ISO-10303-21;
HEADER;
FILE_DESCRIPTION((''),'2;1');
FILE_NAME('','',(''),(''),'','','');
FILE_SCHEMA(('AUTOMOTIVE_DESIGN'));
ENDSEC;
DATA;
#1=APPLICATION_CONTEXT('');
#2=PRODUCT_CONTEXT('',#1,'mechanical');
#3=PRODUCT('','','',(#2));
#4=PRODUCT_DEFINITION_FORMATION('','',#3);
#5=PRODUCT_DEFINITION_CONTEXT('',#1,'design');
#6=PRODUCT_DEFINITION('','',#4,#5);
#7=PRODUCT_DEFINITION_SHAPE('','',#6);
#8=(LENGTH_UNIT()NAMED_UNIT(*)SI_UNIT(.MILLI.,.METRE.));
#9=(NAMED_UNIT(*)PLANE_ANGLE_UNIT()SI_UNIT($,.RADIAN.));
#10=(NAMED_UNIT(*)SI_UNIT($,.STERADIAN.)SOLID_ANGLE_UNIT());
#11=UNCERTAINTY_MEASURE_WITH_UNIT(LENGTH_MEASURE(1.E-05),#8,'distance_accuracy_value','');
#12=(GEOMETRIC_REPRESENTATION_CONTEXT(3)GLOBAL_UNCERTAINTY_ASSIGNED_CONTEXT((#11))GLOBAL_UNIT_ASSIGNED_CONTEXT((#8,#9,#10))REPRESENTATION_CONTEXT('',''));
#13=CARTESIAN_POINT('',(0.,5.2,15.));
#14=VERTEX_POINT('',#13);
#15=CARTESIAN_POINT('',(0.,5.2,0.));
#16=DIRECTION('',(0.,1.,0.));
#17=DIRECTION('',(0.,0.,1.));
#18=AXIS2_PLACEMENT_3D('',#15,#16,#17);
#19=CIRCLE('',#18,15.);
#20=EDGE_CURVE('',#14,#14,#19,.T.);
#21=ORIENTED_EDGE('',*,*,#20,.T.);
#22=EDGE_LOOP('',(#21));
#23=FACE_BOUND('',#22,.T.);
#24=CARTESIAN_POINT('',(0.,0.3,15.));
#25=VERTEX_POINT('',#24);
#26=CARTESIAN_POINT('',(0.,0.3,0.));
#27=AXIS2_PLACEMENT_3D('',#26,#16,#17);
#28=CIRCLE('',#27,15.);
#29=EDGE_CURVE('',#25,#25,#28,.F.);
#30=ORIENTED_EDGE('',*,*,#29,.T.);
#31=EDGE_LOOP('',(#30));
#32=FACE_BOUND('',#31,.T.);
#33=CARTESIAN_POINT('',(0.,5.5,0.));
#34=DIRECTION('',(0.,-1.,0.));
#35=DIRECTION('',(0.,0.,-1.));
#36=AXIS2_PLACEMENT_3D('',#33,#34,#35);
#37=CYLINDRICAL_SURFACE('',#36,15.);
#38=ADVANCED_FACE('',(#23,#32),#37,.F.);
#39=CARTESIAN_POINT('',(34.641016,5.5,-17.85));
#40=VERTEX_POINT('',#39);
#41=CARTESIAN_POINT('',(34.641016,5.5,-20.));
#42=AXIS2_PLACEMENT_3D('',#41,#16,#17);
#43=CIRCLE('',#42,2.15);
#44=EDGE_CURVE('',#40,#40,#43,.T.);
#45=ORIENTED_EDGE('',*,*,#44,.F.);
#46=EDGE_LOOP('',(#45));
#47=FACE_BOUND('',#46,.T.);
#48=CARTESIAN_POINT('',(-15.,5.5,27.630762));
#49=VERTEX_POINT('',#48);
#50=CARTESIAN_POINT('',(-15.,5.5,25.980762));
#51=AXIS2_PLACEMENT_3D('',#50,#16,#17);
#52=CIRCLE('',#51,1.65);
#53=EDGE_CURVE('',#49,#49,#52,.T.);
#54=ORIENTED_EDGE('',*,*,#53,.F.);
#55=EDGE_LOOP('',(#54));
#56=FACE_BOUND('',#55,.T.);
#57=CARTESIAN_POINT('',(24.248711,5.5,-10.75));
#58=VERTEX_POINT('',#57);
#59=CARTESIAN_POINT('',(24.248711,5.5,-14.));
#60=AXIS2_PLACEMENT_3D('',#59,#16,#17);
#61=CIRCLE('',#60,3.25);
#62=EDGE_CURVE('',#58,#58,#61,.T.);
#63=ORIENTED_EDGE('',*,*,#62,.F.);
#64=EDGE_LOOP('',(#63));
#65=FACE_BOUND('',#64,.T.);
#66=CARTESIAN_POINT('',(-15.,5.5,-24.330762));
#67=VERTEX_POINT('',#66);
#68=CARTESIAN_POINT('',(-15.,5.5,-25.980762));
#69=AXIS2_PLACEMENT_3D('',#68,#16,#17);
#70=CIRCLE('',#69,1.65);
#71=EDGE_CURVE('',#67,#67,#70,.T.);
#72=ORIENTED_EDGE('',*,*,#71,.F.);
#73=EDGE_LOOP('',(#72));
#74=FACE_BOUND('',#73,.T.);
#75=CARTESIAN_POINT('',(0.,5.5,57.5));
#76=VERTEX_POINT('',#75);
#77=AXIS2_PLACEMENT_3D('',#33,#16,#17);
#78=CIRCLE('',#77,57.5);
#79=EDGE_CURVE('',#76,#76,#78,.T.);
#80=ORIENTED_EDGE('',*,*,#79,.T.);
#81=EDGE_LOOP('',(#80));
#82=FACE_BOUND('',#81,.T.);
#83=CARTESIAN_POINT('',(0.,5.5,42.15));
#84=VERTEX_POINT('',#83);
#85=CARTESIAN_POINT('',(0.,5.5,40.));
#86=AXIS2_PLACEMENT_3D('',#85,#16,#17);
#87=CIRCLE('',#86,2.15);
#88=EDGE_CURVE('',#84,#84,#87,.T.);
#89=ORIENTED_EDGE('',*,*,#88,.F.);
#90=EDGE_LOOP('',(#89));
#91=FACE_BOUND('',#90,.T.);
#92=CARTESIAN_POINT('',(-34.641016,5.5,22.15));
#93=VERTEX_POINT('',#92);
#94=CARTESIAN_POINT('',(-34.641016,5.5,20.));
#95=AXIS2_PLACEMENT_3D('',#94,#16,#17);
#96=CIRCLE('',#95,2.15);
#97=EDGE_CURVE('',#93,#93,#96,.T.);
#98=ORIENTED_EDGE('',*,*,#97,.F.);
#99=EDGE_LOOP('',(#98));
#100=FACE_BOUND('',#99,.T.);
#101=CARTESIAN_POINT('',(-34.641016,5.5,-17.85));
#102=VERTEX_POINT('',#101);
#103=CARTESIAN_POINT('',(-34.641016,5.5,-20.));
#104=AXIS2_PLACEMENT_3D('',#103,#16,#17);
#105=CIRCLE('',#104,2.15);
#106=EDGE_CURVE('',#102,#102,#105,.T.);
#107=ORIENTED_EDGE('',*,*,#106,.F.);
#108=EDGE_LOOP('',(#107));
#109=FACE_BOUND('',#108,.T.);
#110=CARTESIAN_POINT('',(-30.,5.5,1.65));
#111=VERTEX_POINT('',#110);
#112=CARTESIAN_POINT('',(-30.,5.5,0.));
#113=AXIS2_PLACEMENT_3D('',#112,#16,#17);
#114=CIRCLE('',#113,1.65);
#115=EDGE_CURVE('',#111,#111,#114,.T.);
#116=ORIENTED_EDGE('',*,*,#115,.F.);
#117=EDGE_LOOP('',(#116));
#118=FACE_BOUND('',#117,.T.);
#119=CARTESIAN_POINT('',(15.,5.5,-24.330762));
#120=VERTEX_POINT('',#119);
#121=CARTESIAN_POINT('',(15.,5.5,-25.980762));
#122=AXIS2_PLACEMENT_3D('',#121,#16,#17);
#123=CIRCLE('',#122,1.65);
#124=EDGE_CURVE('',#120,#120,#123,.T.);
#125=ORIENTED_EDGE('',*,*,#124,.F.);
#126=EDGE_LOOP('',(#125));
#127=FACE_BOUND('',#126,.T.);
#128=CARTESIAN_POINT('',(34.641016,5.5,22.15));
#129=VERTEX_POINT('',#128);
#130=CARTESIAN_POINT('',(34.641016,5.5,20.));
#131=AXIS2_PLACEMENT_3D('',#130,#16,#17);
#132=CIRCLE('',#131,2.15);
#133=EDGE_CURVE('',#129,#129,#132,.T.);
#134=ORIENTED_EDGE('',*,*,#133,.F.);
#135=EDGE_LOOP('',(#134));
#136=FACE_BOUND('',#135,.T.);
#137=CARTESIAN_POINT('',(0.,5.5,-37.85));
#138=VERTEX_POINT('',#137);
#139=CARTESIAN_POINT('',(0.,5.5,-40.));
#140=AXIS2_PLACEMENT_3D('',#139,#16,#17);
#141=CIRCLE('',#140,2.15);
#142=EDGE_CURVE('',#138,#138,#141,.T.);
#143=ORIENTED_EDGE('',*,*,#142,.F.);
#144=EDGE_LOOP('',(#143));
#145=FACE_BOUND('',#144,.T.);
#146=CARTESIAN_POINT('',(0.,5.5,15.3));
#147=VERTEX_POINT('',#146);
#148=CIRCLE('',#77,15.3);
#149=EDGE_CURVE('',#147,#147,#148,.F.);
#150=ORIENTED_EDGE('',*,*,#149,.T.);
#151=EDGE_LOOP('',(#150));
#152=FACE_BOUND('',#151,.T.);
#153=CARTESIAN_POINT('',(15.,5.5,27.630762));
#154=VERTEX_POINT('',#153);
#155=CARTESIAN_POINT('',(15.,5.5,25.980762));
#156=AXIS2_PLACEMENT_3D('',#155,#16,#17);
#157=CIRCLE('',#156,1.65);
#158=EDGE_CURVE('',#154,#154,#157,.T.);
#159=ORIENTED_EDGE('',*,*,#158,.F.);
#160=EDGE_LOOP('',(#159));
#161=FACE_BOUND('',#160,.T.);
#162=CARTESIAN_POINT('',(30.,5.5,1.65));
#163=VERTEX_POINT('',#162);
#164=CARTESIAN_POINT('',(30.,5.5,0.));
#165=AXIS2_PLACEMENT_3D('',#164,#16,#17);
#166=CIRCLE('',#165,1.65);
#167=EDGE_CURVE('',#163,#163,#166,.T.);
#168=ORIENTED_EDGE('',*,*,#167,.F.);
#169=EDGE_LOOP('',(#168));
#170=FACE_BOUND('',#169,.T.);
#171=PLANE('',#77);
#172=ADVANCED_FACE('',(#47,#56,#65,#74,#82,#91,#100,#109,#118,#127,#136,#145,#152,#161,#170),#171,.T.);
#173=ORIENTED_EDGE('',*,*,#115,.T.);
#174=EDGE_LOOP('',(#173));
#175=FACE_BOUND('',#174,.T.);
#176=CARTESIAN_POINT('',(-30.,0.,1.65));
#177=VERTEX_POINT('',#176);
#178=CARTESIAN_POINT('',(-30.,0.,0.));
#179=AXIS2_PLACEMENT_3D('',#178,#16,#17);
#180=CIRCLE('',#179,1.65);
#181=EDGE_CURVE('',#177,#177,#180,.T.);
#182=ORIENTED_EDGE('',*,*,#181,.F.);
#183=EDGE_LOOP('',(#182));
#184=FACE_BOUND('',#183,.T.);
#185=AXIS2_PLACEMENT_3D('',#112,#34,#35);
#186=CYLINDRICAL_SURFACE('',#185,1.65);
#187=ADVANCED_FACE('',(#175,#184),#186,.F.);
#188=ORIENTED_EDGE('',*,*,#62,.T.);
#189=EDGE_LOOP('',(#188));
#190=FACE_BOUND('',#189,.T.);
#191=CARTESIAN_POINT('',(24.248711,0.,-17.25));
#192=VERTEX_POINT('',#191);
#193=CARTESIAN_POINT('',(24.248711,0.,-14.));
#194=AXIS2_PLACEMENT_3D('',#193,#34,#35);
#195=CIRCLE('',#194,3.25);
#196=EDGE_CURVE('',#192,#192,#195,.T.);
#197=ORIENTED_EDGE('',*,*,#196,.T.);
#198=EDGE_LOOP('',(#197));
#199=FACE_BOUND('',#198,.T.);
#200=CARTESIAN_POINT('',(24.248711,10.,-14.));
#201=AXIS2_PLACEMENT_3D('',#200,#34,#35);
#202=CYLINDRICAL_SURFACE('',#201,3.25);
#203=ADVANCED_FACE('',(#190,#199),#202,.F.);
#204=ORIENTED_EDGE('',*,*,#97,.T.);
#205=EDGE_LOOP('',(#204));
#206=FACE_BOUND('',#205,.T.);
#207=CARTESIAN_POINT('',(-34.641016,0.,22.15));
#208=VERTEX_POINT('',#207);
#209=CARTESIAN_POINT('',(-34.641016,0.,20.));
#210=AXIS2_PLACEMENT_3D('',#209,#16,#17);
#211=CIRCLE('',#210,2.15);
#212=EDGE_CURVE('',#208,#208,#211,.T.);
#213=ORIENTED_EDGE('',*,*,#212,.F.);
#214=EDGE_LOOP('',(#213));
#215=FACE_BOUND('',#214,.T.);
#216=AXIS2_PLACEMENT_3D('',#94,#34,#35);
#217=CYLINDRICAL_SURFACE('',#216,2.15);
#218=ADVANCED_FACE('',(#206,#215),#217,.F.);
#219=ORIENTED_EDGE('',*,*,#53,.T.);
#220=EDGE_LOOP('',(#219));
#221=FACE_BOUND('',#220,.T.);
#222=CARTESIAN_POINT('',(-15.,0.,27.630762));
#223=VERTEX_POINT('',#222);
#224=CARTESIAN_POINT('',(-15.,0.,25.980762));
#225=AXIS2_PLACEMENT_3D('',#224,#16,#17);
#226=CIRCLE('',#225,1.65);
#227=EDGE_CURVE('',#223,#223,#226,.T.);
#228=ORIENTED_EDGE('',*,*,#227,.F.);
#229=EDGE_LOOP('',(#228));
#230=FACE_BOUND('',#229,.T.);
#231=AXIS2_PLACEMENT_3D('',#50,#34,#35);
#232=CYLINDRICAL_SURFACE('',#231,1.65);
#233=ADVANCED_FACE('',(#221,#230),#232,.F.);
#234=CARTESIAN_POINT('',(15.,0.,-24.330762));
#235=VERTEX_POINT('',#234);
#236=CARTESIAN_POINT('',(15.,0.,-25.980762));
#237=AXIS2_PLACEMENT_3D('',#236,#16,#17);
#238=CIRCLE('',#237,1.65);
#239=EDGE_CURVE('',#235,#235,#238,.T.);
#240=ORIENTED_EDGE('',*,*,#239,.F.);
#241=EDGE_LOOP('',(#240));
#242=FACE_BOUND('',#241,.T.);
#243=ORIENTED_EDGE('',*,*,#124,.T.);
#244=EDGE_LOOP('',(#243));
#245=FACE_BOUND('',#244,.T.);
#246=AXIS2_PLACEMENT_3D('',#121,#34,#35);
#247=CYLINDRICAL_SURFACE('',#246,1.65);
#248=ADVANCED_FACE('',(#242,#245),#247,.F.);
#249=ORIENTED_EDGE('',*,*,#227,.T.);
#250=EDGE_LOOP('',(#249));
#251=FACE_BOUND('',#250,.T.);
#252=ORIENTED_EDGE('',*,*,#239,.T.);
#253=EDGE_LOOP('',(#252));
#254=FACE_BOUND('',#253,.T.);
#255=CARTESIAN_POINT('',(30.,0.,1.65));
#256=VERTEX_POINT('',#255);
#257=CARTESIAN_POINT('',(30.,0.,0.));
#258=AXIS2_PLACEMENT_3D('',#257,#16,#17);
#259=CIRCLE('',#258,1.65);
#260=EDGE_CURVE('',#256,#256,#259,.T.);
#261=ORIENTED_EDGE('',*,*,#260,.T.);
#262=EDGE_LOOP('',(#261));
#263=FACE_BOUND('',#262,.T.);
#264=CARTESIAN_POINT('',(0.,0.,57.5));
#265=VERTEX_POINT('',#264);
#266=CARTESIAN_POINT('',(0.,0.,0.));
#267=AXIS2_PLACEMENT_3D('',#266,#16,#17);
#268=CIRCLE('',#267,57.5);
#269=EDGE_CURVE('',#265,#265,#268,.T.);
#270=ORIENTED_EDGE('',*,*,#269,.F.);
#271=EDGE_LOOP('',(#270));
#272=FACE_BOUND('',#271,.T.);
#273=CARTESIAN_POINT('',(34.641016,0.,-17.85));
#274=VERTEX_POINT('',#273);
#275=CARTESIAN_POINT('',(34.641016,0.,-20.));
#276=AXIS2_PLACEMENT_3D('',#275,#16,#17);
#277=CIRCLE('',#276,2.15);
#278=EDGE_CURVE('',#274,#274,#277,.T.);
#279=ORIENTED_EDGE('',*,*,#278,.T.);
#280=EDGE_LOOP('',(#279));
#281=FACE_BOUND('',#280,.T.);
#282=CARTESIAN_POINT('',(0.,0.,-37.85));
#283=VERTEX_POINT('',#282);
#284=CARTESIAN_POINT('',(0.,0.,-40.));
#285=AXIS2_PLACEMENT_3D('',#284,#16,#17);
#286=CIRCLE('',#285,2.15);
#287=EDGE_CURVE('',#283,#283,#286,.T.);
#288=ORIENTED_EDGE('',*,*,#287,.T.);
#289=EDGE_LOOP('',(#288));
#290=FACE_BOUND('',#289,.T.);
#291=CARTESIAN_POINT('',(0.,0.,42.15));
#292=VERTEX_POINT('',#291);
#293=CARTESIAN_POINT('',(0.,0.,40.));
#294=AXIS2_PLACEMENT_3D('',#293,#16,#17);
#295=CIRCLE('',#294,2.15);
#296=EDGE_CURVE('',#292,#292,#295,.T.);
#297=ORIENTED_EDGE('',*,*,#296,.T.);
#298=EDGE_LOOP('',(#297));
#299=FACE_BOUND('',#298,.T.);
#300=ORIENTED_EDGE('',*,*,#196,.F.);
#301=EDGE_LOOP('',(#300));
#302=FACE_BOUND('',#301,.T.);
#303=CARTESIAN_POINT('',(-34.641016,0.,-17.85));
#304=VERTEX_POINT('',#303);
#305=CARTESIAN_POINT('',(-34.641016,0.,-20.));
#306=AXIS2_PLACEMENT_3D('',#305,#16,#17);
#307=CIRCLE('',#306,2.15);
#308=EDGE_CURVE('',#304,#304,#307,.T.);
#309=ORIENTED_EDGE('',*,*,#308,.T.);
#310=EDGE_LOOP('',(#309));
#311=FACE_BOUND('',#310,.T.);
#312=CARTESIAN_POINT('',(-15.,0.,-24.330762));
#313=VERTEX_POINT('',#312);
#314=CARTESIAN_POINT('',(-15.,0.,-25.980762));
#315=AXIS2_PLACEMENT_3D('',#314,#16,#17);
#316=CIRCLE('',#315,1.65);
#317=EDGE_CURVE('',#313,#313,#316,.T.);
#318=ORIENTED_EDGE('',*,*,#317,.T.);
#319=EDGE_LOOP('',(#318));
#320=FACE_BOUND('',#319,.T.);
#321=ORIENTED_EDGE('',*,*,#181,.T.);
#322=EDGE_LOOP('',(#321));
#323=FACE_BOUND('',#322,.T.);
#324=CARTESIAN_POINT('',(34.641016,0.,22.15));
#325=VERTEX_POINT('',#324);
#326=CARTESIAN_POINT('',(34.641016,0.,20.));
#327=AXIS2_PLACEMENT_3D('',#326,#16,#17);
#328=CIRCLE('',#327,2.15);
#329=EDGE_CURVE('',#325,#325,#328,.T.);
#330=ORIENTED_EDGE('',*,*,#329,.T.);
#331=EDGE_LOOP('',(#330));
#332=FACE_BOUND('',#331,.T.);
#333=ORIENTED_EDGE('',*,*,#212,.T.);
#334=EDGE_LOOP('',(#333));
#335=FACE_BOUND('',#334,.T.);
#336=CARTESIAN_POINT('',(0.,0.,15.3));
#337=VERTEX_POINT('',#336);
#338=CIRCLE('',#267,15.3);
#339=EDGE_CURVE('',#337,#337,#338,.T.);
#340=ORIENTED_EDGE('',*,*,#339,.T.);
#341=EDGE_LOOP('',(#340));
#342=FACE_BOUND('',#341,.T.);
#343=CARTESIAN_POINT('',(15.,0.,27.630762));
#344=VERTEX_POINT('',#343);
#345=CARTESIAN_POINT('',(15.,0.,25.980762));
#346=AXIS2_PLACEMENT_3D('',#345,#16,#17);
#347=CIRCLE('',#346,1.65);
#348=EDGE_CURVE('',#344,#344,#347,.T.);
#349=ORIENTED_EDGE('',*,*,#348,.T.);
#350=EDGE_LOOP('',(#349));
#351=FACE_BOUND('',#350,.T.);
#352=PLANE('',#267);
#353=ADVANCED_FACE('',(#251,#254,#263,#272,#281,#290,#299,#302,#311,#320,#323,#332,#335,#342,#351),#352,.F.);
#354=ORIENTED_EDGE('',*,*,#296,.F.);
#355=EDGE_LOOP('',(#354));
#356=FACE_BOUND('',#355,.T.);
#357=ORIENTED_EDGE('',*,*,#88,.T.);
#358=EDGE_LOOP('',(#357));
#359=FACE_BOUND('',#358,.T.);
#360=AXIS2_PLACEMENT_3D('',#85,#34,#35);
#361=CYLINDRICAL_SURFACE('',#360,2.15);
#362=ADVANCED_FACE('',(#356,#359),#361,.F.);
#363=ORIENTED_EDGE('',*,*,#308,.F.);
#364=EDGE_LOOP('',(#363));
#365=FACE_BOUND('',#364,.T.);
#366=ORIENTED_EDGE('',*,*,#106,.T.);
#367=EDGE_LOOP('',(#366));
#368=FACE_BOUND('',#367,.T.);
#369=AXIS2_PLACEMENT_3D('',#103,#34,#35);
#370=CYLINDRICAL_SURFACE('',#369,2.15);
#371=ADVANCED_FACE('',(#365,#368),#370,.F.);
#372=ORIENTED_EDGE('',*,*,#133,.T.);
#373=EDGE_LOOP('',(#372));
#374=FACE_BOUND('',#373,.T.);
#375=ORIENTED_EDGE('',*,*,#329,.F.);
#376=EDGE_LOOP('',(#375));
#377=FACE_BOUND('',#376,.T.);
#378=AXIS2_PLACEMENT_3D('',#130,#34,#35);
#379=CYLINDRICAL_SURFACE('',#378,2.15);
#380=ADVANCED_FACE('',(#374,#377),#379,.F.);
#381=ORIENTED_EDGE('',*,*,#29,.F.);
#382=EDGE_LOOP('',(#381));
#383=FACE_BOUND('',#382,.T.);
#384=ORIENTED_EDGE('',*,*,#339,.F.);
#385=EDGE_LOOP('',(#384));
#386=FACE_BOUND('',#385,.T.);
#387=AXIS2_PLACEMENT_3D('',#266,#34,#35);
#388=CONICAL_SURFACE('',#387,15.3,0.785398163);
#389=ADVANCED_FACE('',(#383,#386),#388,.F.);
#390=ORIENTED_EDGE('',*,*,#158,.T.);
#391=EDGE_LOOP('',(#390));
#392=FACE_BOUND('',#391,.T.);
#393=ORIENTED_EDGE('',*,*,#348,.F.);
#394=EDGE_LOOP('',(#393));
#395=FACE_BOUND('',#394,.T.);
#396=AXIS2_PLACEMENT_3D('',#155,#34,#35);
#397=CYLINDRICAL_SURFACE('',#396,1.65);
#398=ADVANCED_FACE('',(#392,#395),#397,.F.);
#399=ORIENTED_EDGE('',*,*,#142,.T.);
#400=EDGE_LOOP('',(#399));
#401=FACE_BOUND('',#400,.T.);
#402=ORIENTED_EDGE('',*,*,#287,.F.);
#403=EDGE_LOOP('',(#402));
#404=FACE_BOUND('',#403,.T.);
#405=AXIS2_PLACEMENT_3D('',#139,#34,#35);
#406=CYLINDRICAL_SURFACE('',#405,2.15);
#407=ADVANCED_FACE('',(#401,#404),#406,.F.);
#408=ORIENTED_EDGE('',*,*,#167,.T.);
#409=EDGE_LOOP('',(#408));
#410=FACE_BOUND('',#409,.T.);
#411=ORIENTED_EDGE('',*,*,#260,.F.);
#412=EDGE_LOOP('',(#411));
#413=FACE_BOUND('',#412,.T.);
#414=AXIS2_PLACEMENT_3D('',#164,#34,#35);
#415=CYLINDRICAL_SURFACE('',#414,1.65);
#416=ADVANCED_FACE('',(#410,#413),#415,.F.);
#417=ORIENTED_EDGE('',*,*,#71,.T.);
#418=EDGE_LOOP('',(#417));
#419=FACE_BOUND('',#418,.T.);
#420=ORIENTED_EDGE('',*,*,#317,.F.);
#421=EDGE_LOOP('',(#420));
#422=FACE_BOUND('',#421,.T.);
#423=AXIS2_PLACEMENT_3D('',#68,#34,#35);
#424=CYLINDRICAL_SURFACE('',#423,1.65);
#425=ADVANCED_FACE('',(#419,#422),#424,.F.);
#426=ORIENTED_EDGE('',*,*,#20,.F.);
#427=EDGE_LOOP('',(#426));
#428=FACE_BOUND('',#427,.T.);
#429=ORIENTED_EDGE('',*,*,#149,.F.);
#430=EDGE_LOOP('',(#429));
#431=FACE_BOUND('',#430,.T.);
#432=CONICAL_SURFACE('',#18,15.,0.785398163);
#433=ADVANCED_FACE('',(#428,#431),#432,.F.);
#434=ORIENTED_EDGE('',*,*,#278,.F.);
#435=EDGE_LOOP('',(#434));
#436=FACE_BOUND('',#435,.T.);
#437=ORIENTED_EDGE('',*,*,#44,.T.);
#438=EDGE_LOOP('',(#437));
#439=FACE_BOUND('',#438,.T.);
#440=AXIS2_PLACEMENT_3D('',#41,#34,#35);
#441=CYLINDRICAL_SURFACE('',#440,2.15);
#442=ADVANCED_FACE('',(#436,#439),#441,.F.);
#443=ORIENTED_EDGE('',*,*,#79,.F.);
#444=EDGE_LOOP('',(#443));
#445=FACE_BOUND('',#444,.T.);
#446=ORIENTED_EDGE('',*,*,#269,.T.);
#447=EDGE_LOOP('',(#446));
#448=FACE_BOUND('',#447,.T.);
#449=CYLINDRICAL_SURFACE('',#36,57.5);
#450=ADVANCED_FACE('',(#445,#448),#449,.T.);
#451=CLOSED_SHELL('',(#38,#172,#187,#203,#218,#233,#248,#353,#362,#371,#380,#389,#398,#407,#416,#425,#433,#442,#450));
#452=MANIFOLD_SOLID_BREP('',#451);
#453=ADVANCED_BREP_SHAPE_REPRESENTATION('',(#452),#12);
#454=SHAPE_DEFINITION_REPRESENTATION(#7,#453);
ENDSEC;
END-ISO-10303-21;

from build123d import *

# Parameters (mm, degrees)
SKETCH1_R           = 57.5
SKETCH1_R_2         = 1.65
SKETCH1_R_3         = 2.15
SKETCH1_R_4         = 15
BOSS_EXTRUDE1_DEPTH = 5.5
CHAMFER2_SIZE       = 0.3
SKETCH3_R           = 3.25
CUT_EXTRUDE2_DEPTH  = 10


with BuildPart() as part:
    # Sketch1 → Boss-Extrude1 (new body)
    with BuildSketch(Plane(origin=(0, 0, 0), x_dir=(1, 0, 0), z_dir=(0, 1, 0))):
        Circle(SKETCH1_R)
        with Locations((-30, 0)):
            Circle(SKETCH1_R_2, mode=Mode.SUBTRACT)
        with Locations((-15, 25.980762114)):
            Circle(SKETCH1_R_2, mode=Mode.SUBTRACT)
        with Locations((15, 25.980762114)):
            Circle(SKETCH1_R_2, mode=Mode.SUBTRACT)
        with Locations((30, 0)):
            Circle(SKETCH1_R_2, mode=Mode.SUBTRACT)
        with Locations((15, -25.980762114)):
            Circle(SKETCH1_R_2, mode=Mode.SUBTRACT)
        with Locations((-15, -25.980762114)):
            Circle(SKETCH1_R_2, mode=Mode.SUBTRACT)
        with Locations((-34.641016151, 20)):
            Circle(SKETCH1_R_3, mode=Mode.SUBTRACT)
        with Locations((0, 40)):
            Circle(SKETCH1_R_3, mode=Mode.SUBTRACT)
        with Locations((34.641016151, 20)):
            Circle(SKETCH1_R_3, mode=Mode.SUBTRACT)
        with Locations((34.641016151, -20)):
            Circle(SKETCH1_R_3, mode=Mode.SUBTRACT)
        with Locations((0, -40)):
            Circle(SKETCH1_R_3, mode=Mode.SUBTRACT)
        with Locations((-34.641016151, -20)):
            Circle(SKETCH1_R_3, mode=Mode.SUBTRACT)
        Circle(SKETCH1_R_4, mode=Mode.SUBTRACT)
    extrude(amount=BOSS_EXTRUDE1_DEPTH)

    # Chamfer2
    chamfer2_edges = [part.edges().sort_by_distance(p)[0] for p in [
        (-15, 0, 0),
        (-15, 5.5, 0),
    ]]
    chamfer(chamfer2_edges, length=CHAMFER2_SIZE)

    # Sketch3 → Cut-Extrude2 (cut)
    with BuildSketch(Plane.XZ):
        with Locations((24.248711306, -14)):
            Circle(SKETCH3_R)
    extrude(amount=-CUT_EXTRUDE2_DEPTH, mode=Mode.SUBTRACT)


solid = part.part
